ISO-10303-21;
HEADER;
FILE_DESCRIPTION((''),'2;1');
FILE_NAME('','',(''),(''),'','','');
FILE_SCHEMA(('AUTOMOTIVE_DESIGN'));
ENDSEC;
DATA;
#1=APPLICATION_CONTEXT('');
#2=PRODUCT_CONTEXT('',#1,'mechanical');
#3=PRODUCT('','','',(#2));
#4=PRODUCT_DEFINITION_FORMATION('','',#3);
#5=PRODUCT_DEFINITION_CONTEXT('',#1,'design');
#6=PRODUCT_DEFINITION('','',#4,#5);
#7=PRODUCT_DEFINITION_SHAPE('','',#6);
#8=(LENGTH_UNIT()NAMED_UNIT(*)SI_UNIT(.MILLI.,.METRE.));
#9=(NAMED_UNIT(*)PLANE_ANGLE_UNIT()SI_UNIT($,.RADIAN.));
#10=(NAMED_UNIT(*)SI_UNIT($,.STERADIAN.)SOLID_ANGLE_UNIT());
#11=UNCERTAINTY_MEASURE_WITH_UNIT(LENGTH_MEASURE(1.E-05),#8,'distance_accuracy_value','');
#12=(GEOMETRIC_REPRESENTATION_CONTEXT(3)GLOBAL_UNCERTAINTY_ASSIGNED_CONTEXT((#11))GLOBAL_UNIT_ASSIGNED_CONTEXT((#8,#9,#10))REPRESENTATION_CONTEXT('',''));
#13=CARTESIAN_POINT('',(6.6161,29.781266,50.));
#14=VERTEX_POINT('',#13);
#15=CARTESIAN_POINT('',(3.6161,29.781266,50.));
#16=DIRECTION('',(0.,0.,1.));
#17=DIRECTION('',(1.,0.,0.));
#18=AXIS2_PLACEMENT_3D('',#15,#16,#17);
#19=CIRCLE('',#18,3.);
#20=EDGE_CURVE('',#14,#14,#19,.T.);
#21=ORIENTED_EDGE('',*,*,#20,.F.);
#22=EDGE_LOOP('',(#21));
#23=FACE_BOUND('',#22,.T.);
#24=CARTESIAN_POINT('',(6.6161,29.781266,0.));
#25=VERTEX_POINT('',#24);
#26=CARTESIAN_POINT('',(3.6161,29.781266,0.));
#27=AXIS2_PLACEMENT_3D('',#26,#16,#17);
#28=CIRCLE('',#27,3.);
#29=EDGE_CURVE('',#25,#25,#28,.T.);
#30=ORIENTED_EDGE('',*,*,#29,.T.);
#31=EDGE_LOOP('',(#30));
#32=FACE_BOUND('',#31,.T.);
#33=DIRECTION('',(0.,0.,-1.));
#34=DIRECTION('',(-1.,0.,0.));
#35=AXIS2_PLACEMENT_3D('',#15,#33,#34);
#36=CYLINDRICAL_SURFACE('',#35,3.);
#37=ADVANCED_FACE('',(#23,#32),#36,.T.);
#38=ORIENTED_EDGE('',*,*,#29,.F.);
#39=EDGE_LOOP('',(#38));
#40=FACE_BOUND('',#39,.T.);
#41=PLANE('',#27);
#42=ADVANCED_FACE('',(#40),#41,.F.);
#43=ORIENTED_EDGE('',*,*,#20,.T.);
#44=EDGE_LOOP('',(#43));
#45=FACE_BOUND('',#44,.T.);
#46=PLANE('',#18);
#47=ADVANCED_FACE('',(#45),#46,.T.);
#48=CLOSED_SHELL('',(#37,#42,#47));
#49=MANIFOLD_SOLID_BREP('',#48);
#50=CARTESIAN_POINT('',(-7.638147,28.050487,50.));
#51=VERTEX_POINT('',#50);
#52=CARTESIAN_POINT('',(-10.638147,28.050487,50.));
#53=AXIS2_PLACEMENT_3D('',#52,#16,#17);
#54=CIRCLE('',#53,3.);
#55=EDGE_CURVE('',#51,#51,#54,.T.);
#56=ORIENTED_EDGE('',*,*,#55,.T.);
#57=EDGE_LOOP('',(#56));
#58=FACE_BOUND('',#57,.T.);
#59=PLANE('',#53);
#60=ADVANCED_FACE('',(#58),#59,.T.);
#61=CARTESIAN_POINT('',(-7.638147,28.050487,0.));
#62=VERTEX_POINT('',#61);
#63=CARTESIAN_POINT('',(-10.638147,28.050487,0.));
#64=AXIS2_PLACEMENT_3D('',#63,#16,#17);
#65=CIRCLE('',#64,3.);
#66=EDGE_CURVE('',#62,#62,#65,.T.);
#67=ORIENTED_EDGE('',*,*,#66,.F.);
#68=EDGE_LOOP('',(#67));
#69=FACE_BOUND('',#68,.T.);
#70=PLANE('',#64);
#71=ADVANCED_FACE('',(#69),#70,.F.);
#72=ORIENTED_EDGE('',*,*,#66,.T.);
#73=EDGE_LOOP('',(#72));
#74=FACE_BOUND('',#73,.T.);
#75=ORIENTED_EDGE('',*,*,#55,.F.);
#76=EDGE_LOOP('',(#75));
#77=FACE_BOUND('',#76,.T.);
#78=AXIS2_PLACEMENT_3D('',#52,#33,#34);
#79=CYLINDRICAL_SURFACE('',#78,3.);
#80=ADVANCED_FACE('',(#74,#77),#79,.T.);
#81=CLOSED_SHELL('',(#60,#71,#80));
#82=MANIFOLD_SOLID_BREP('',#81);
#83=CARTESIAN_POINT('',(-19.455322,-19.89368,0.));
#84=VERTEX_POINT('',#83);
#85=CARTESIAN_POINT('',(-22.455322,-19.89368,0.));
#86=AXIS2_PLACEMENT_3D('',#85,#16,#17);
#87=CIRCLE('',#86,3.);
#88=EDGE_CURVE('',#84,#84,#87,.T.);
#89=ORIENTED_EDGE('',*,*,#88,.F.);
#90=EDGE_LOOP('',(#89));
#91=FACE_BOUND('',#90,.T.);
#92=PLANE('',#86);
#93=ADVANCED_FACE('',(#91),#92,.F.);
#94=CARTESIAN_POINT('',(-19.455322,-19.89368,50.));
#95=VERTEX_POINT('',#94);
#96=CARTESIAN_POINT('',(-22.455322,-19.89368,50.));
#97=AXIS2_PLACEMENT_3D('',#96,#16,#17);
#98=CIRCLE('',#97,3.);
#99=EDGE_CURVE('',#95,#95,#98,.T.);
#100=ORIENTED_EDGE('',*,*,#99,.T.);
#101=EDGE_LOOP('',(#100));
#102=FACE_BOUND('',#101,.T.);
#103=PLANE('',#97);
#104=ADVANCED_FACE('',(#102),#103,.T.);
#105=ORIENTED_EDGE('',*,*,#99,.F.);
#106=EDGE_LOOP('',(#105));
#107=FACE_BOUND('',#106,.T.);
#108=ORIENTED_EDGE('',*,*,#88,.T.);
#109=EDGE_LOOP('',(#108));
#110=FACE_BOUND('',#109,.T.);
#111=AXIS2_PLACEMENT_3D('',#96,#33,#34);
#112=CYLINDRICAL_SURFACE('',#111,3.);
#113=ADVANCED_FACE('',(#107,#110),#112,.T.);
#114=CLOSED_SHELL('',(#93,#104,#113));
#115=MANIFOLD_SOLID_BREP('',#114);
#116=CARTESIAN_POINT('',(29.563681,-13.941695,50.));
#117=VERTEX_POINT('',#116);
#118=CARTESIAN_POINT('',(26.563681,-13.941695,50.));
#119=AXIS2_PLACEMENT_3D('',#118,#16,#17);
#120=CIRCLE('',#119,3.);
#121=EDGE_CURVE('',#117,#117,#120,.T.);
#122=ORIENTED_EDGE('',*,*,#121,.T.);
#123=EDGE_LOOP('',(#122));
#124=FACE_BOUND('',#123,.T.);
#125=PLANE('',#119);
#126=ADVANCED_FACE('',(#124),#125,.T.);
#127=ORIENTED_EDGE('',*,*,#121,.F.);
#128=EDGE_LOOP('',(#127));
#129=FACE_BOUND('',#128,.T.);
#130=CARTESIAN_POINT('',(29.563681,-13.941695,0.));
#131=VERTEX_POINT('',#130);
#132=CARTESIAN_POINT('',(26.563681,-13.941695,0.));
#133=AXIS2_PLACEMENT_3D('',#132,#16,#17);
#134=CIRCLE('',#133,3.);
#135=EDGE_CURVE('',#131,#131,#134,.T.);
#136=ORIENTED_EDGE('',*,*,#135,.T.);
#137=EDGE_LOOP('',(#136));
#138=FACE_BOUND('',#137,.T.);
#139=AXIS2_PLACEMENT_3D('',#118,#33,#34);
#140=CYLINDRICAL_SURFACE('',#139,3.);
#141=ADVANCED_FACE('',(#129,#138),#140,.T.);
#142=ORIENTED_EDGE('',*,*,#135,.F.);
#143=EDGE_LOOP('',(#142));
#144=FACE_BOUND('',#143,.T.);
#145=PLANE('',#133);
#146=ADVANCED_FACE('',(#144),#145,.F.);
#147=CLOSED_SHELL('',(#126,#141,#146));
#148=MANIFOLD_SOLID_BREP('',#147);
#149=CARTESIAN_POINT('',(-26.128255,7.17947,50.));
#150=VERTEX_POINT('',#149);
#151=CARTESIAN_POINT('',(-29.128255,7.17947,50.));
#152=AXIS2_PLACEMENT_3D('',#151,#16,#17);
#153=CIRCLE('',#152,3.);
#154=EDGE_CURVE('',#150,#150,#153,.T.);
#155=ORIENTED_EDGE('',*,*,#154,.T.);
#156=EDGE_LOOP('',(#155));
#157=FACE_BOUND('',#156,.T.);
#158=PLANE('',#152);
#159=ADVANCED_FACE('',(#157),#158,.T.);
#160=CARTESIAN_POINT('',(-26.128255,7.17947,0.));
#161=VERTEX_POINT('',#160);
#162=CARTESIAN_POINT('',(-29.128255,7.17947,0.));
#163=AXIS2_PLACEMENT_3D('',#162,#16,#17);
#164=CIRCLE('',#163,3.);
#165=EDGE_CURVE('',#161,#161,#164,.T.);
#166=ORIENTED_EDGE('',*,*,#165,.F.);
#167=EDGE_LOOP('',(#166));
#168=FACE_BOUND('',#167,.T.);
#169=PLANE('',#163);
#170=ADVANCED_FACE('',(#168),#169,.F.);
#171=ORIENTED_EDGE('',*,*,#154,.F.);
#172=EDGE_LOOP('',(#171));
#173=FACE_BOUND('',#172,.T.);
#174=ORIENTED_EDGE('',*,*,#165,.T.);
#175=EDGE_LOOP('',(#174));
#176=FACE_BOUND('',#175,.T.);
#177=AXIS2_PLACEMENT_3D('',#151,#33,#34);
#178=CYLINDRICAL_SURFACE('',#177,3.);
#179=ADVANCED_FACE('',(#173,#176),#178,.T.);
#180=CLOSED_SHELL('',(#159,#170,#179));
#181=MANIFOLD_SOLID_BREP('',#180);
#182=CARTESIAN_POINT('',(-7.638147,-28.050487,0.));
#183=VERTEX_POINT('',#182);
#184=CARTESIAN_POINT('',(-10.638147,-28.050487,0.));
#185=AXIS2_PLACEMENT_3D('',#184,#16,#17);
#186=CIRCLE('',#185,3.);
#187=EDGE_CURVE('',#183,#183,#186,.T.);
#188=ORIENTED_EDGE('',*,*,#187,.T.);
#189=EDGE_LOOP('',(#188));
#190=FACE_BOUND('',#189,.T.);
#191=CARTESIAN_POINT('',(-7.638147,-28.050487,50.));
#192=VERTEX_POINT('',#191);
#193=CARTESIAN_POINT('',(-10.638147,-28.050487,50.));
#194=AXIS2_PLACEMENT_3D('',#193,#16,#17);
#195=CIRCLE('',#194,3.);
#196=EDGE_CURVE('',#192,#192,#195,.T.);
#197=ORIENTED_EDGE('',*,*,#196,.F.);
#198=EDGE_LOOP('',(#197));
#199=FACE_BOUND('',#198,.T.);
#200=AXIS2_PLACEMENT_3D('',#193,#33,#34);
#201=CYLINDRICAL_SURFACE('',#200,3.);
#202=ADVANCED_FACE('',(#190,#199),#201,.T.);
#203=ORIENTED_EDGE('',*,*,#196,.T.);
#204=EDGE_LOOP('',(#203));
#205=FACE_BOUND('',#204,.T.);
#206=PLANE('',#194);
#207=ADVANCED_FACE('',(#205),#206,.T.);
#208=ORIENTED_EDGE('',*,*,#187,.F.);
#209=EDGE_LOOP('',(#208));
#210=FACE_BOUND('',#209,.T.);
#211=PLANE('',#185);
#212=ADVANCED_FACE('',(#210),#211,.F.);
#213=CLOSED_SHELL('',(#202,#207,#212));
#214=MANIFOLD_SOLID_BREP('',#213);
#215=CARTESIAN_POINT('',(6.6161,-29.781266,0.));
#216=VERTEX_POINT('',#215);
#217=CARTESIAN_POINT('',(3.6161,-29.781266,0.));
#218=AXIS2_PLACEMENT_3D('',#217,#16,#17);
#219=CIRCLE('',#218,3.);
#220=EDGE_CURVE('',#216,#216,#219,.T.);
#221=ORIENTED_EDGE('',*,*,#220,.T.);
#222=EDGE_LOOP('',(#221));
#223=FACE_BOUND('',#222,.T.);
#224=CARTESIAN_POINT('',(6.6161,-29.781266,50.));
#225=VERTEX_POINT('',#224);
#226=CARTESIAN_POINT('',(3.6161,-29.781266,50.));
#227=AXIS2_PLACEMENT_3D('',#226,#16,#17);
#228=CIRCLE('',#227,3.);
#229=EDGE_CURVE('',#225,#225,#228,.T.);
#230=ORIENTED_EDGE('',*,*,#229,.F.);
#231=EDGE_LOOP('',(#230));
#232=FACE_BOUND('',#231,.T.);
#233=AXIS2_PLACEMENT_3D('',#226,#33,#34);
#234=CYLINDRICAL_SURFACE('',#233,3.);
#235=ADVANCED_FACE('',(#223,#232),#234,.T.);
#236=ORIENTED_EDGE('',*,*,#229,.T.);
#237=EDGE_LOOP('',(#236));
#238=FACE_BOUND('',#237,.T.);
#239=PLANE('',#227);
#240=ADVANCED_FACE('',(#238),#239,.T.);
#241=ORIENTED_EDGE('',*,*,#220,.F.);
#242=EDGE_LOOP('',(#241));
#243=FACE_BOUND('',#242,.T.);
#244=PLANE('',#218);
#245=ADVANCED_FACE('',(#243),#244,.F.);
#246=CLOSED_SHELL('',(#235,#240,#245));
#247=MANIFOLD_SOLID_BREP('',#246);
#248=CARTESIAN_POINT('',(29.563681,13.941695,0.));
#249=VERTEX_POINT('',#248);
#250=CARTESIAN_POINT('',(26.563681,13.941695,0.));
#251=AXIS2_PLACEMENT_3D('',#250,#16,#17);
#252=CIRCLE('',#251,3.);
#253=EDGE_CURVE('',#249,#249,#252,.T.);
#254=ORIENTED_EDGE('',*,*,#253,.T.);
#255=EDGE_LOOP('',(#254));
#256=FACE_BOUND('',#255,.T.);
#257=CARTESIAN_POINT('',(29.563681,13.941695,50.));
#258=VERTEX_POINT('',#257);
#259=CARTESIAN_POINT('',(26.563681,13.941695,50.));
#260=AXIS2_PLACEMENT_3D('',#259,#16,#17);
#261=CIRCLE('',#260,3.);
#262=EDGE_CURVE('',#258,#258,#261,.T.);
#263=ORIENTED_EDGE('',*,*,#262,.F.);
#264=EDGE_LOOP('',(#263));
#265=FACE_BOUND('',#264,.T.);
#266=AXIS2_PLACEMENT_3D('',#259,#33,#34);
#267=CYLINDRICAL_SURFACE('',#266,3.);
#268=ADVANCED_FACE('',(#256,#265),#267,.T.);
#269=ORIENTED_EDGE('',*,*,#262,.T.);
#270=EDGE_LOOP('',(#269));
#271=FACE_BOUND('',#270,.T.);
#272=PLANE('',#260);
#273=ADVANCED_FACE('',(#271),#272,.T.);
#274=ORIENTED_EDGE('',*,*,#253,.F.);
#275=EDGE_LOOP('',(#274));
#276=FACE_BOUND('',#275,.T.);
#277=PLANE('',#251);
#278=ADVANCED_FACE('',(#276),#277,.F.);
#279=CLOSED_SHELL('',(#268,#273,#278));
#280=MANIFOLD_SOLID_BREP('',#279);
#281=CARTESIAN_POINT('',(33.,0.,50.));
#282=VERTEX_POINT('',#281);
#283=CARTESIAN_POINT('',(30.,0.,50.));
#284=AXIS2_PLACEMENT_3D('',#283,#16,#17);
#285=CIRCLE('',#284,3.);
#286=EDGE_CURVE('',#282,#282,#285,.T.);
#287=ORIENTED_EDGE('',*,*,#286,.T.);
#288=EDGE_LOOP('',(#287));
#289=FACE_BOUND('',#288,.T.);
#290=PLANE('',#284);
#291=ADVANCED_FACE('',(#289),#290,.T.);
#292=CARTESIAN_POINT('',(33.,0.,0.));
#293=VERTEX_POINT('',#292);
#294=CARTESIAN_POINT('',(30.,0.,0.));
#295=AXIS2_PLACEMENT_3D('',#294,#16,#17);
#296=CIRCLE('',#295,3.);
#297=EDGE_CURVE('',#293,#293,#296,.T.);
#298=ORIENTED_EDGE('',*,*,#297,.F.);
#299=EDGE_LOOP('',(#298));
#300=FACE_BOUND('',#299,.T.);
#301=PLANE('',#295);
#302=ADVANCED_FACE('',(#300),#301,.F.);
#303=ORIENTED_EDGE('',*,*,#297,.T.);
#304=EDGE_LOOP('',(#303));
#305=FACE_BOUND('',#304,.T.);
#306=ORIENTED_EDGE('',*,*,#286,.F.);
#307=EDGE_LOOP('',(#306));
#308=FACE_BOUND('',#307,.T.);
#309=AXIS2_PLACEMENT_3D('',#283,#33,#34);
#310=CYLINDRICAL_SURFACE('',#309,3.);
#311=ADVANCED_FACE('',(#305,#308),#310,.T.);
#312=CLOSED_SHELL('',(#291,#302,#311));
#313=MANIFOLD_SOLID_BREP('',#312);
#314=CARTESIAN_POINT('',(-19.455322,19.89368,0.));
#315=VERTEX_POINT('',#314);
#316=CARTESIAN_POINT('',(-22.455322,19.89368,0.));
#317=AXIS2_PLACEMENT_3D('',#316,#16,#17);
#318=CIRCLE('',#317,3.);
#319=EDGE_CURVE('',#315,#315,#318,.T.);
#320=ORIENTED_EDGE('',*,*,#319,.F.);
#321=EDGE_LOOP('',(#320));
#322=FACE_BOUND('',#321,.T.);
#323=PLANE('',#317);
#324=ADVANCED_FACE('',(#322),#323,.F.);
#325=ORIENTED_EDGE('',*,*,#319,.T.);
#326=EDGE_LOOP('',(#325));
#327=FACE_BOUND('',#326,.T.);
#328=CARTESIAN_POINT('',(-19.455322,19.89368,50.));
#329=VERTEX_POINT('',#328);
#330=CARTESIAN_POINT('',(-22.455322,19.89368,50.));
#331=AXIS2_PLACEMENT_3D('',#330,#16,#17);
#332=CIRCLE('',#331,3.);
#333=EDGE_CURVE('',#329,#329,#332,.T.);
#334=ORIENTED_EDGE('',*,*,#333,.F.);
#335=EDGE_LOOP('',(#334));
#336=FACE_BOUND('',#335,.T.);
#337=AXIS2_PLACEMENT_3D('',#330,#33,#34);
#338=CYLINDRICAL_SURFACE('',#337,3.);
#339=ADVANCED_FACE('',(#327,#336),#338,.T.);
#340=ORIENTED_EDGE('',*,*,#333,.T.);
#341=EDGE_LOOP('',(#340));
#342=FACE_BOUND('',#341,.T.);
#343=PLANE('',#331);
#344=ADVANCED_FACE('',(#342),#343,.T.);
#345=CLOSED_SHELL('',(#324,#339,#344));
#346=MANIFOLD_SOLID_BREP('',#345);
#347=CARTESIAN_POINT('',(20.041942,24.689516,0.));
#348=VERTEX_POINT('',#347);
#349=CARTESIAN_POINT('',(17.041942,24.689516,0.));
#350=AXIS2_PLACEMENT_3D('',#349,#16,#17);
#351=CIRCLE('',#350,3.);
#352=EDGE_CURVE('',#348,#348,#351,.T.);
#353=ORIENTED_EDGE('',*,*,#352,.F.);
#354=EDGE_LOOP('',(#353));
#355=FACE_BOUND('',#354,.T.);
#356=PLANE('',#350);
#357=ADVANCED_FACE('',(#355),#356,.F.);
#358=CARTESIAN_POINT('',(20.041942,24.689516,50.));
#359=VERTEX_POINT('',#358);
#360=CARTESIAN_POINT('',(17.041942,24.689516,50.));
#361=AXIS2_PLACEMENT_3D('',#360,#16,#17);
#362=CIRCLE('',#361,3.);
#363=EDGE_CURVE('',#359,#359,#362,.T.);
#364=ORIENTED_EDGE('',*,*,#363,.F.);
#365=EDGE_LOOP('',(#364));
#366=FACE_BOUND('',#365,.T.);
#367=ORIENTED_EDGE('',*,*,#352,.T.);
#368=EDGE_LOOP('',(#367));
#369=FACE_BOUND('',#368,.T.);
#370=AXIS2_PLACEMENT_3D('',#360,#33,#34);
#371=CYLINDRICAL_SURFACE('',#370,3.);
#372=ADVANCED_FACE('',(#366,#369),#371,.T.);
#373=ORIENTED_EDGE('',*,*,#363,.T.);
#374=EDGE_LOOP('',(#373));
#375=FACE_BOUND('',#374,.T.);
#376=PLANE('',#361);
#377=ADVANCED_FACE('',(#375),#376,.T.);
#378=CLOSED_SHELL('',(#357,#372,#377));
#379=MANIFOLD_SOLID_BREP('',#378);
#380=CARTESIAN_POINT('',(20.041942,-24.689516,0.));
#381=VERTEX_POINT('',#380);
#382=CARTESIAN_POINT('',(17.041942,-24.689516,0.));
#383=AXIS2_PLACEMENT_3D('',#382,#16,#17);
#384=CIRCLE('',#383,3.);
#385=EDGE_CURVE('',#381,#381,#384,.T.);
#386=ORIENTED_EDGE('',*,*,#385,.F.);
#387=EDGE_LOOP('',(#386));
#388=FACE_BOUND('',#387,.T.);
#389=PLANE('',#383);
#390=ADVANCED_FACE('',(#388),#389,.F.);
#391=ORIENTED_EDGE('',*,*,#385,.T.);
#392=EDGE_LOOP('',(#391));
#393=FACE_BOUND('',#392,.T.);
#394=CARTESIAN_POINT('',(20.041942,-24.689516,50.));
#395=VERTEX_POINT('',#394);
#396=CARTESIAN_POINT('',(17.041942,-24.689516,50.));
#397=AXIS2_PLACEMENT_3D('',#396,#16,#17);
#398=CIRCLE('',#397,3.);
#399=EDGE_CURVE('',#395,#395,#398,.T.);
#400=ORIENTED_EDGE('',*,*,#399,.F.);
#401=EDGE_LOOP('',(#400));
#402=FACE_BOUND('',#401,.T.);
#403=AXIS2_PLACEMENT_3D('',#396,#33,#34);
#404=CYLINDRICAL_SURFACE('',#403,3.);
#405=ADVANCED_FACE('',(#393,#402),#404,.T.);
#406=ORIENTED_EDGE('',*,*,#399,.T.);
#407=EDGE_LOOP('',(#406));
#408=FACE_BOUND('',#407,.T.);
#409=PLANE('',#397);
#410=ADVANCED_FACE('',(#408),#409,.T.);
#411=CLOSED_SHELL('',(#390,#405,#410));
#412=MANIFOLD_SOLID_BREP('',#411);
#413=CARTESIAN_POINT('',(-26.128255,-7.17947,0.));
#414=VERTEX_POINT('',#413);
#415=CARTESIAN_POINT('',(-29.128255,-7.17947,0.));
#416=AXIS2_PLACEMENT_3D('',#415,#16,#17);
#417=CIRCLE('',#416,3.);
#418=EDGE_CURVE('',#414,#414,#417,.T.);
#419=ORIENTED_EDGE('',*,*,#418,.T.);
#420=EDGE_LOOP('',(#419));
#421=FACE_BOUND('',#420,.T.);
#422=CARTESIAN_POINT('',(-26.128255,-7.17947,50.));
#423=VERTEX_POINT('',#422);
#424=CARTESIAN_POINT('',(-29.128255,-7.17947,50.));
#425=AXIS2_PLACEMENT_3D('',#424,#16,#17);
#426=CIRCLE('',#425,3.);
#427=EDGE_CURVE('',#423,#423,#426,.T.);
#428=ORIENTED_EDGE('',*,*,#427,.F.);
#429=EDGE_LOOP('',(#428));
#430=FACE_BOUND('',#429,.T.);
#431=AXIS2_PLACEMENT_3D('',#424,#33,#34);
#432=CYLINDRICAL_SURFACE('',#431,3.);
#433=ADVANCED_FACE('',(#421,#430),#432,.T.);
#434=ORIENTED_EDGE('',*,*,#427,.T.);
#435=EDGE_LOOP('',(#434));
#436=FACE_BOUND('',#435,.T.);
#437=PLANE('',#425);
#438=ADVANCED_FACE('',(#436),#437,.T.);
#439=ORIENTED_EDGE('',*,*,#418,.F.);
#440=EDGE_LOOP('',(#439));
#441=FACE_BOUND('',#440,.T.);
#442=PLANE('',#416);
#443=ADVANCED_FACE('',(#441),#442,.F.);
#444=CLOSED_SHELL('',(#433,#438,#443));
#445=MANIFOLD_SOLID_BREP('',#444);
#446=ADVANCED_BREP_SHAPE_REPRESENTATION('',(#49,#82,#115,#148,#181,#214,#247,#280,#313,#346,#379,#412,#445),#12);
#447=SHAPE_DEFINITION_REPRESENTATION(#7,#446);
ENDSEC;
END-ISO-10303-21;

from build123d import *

# Parameters (mm, degrees)
SKETCH1_R              = 3
BOSS_EXTRUDE1_DEPTH    = 50
BOSS_EXTRUDE1_2_DEPTH  = 50
BOSS_EXTRUDE1_3_DEPTH  = 50
BOSS_EXTRUDE1_4_DEPTH  = 50
BOSS_EXTRUDE1_5_DEPTH  = 50
BOSS_EXTRUDE1_6_DEPTH  = 50
BOSS_EXTRUDE1_7_DEPTH  = 50
BOSS_EXTRUDE1_8_DEPTH  = 50
BOSS_EXTRUDE1_9_DEPTH  = 50
BOSS_EXTRUDE1_10_DEPTH = 50
BOSS_EXTRUDE1_11_DEPTH = 50
BOSS_EXTRUDE1_12_DEPTH = 50
BOSS_EXTRUDE1_13_DEPTH = 50


with BuildPart() as part:
    # Sketch1 → Boss-Extrude1 (new body)
    with BuildSketch(Plane.XY):
        with Locations((30, 0)):
            Circle(SKETCH1_R)
    extrude(amount=BOSS_EXTRUDE1_DEPTH)


with BuildPart() as body_2:
    # Sketch1 → Boss-Extrude1 2 (new body)
    with BuildSketch(Plane.XY):
        with Locations((26.56368077, -13.941695161)):
            Circle(SKETCH1_R)
    extrude(amount=BOSS_EXTRUDE1_2_DEPTH)


with BuildPart() as body_3:
    # Sketch1 → Boss-Extrude1 3 (new body)
    with BuildSketch(Plane.XY):
        with Locations((17.041942402, -24.689515977)):
            Circle(SKETCH1_R)
    extrude(amount=BOSS_EXTRUDE1_3_DEPTH)


with BuildPart() as body_4:
    # Sketch1 → Boss-Extrude1 4 (new body)
    with BuildSketch(Plane.XY):
        with Locations((3.616100408, -29.781266223)):
            Circle(SKETCH1_R)
    extrude(amount=BOSS_EXTRUDE1_4_DEPTH)


with BuildPart() as body_5:
    # Sketch1 → Boss-Extrude1 5 (new body)
    with BuildSketch(Plane.XY):
        with Locations((-10.638146611, -28.050487281)):
            Circle(SKETCH1_R)
    extrude(amount=BOSS_EXTRUDE1_5_DEPTH)


with BuildPart() as body_6:
    # Sketch1 → Boss-Extrude1 6 (new body)
    with BuildSketch(Plane.XY):
        with Locations((-22.455322445, -19.893679747)):
            Circle(SKETCH1_R)
    extrude(amount=BOSS_EXTRUDE1_6_DEPTH)


with BuildPart() as body_7:
    # Sketch1 → Boss-Extrude1 7 (new body)
    with BuildSketch(Plane.XY):
        with Locations((-29.128254523, -7.179469929)):
            Circle(SKETCH1_R)
    extrude(amount=BOSS_EXTRUDE1_7_DEPTH)


with BuildPart() as body_8:
    # Sketch1 → Boss-Extrude1 8 (new body)
    with BuildSketch(Plane.XY):
        with Locations((-29.128254523, 7.179469929)):
            Circle(SKETCH1_R)
    extrude(amount=BOSS_EXTRUDE1_8_DEPTH)


with BuildPart() as body_9:
    # Sketch1 → Boss-Extrude1 9 (new body)
    with BuildSketch(Plane.XY):
        with Locations((-22.455322445, 19.893679747)):
            Circle(SKETCH1_R)
    extrude(amount=BOSS_EXTRUDE1_9_DEPTH)


with BuildPart() as body_10:
    # Sketch1 → Boss-Extrude1 10 (new body)
    with BuildSketch(Plane.XY):
        with Locations((-10.638146611, 28.050487281)):
            Circle(SKETCH1_R)
    extrude(amount=BOSS_EXTRUDE1_10_DEPTH)


with BuildPart() as body_11:
    # Sketch1 → Boss-Extrude1 11 (new body)
    with BuildSketch(Plane.XY):
        with Locations((3.616100408, 29.781266223)):
            Circle(SKETCH1_R)
    extrude(amount=BOSS_EXTRUDE1_11_DEPTH)


with BuildPart() as body_12:
    # Sketch1 → Boss-Extrude1 12 (new body)
    with BuildSketch(Plane.XY):
        with Locations((17.041942402, 24.689515977)):
            Circle(SKETCH1_R)
    extrude(amount=BOSS_EXTRUDE1_12_DEPTH)


with BuildPart() as body_13:
    # Sketch1 → Boss-Extrude1 13 (new body)
    with BuildSketch(Plane.XY):
        with Locations((26.56368077, 13.941695161)):
            Circle(SKETCH1_R)
    extrude(amount=BOSS_EXTRUDE1_13_DEPTH)


solid = Compound([part.part, body_2.part, body_3.part, body_4.part, body_5.part, body_6.part, body_7.part, body_8.part, body_9.part, body_10.part, body_11.part, body_12.part, body_13.part])
